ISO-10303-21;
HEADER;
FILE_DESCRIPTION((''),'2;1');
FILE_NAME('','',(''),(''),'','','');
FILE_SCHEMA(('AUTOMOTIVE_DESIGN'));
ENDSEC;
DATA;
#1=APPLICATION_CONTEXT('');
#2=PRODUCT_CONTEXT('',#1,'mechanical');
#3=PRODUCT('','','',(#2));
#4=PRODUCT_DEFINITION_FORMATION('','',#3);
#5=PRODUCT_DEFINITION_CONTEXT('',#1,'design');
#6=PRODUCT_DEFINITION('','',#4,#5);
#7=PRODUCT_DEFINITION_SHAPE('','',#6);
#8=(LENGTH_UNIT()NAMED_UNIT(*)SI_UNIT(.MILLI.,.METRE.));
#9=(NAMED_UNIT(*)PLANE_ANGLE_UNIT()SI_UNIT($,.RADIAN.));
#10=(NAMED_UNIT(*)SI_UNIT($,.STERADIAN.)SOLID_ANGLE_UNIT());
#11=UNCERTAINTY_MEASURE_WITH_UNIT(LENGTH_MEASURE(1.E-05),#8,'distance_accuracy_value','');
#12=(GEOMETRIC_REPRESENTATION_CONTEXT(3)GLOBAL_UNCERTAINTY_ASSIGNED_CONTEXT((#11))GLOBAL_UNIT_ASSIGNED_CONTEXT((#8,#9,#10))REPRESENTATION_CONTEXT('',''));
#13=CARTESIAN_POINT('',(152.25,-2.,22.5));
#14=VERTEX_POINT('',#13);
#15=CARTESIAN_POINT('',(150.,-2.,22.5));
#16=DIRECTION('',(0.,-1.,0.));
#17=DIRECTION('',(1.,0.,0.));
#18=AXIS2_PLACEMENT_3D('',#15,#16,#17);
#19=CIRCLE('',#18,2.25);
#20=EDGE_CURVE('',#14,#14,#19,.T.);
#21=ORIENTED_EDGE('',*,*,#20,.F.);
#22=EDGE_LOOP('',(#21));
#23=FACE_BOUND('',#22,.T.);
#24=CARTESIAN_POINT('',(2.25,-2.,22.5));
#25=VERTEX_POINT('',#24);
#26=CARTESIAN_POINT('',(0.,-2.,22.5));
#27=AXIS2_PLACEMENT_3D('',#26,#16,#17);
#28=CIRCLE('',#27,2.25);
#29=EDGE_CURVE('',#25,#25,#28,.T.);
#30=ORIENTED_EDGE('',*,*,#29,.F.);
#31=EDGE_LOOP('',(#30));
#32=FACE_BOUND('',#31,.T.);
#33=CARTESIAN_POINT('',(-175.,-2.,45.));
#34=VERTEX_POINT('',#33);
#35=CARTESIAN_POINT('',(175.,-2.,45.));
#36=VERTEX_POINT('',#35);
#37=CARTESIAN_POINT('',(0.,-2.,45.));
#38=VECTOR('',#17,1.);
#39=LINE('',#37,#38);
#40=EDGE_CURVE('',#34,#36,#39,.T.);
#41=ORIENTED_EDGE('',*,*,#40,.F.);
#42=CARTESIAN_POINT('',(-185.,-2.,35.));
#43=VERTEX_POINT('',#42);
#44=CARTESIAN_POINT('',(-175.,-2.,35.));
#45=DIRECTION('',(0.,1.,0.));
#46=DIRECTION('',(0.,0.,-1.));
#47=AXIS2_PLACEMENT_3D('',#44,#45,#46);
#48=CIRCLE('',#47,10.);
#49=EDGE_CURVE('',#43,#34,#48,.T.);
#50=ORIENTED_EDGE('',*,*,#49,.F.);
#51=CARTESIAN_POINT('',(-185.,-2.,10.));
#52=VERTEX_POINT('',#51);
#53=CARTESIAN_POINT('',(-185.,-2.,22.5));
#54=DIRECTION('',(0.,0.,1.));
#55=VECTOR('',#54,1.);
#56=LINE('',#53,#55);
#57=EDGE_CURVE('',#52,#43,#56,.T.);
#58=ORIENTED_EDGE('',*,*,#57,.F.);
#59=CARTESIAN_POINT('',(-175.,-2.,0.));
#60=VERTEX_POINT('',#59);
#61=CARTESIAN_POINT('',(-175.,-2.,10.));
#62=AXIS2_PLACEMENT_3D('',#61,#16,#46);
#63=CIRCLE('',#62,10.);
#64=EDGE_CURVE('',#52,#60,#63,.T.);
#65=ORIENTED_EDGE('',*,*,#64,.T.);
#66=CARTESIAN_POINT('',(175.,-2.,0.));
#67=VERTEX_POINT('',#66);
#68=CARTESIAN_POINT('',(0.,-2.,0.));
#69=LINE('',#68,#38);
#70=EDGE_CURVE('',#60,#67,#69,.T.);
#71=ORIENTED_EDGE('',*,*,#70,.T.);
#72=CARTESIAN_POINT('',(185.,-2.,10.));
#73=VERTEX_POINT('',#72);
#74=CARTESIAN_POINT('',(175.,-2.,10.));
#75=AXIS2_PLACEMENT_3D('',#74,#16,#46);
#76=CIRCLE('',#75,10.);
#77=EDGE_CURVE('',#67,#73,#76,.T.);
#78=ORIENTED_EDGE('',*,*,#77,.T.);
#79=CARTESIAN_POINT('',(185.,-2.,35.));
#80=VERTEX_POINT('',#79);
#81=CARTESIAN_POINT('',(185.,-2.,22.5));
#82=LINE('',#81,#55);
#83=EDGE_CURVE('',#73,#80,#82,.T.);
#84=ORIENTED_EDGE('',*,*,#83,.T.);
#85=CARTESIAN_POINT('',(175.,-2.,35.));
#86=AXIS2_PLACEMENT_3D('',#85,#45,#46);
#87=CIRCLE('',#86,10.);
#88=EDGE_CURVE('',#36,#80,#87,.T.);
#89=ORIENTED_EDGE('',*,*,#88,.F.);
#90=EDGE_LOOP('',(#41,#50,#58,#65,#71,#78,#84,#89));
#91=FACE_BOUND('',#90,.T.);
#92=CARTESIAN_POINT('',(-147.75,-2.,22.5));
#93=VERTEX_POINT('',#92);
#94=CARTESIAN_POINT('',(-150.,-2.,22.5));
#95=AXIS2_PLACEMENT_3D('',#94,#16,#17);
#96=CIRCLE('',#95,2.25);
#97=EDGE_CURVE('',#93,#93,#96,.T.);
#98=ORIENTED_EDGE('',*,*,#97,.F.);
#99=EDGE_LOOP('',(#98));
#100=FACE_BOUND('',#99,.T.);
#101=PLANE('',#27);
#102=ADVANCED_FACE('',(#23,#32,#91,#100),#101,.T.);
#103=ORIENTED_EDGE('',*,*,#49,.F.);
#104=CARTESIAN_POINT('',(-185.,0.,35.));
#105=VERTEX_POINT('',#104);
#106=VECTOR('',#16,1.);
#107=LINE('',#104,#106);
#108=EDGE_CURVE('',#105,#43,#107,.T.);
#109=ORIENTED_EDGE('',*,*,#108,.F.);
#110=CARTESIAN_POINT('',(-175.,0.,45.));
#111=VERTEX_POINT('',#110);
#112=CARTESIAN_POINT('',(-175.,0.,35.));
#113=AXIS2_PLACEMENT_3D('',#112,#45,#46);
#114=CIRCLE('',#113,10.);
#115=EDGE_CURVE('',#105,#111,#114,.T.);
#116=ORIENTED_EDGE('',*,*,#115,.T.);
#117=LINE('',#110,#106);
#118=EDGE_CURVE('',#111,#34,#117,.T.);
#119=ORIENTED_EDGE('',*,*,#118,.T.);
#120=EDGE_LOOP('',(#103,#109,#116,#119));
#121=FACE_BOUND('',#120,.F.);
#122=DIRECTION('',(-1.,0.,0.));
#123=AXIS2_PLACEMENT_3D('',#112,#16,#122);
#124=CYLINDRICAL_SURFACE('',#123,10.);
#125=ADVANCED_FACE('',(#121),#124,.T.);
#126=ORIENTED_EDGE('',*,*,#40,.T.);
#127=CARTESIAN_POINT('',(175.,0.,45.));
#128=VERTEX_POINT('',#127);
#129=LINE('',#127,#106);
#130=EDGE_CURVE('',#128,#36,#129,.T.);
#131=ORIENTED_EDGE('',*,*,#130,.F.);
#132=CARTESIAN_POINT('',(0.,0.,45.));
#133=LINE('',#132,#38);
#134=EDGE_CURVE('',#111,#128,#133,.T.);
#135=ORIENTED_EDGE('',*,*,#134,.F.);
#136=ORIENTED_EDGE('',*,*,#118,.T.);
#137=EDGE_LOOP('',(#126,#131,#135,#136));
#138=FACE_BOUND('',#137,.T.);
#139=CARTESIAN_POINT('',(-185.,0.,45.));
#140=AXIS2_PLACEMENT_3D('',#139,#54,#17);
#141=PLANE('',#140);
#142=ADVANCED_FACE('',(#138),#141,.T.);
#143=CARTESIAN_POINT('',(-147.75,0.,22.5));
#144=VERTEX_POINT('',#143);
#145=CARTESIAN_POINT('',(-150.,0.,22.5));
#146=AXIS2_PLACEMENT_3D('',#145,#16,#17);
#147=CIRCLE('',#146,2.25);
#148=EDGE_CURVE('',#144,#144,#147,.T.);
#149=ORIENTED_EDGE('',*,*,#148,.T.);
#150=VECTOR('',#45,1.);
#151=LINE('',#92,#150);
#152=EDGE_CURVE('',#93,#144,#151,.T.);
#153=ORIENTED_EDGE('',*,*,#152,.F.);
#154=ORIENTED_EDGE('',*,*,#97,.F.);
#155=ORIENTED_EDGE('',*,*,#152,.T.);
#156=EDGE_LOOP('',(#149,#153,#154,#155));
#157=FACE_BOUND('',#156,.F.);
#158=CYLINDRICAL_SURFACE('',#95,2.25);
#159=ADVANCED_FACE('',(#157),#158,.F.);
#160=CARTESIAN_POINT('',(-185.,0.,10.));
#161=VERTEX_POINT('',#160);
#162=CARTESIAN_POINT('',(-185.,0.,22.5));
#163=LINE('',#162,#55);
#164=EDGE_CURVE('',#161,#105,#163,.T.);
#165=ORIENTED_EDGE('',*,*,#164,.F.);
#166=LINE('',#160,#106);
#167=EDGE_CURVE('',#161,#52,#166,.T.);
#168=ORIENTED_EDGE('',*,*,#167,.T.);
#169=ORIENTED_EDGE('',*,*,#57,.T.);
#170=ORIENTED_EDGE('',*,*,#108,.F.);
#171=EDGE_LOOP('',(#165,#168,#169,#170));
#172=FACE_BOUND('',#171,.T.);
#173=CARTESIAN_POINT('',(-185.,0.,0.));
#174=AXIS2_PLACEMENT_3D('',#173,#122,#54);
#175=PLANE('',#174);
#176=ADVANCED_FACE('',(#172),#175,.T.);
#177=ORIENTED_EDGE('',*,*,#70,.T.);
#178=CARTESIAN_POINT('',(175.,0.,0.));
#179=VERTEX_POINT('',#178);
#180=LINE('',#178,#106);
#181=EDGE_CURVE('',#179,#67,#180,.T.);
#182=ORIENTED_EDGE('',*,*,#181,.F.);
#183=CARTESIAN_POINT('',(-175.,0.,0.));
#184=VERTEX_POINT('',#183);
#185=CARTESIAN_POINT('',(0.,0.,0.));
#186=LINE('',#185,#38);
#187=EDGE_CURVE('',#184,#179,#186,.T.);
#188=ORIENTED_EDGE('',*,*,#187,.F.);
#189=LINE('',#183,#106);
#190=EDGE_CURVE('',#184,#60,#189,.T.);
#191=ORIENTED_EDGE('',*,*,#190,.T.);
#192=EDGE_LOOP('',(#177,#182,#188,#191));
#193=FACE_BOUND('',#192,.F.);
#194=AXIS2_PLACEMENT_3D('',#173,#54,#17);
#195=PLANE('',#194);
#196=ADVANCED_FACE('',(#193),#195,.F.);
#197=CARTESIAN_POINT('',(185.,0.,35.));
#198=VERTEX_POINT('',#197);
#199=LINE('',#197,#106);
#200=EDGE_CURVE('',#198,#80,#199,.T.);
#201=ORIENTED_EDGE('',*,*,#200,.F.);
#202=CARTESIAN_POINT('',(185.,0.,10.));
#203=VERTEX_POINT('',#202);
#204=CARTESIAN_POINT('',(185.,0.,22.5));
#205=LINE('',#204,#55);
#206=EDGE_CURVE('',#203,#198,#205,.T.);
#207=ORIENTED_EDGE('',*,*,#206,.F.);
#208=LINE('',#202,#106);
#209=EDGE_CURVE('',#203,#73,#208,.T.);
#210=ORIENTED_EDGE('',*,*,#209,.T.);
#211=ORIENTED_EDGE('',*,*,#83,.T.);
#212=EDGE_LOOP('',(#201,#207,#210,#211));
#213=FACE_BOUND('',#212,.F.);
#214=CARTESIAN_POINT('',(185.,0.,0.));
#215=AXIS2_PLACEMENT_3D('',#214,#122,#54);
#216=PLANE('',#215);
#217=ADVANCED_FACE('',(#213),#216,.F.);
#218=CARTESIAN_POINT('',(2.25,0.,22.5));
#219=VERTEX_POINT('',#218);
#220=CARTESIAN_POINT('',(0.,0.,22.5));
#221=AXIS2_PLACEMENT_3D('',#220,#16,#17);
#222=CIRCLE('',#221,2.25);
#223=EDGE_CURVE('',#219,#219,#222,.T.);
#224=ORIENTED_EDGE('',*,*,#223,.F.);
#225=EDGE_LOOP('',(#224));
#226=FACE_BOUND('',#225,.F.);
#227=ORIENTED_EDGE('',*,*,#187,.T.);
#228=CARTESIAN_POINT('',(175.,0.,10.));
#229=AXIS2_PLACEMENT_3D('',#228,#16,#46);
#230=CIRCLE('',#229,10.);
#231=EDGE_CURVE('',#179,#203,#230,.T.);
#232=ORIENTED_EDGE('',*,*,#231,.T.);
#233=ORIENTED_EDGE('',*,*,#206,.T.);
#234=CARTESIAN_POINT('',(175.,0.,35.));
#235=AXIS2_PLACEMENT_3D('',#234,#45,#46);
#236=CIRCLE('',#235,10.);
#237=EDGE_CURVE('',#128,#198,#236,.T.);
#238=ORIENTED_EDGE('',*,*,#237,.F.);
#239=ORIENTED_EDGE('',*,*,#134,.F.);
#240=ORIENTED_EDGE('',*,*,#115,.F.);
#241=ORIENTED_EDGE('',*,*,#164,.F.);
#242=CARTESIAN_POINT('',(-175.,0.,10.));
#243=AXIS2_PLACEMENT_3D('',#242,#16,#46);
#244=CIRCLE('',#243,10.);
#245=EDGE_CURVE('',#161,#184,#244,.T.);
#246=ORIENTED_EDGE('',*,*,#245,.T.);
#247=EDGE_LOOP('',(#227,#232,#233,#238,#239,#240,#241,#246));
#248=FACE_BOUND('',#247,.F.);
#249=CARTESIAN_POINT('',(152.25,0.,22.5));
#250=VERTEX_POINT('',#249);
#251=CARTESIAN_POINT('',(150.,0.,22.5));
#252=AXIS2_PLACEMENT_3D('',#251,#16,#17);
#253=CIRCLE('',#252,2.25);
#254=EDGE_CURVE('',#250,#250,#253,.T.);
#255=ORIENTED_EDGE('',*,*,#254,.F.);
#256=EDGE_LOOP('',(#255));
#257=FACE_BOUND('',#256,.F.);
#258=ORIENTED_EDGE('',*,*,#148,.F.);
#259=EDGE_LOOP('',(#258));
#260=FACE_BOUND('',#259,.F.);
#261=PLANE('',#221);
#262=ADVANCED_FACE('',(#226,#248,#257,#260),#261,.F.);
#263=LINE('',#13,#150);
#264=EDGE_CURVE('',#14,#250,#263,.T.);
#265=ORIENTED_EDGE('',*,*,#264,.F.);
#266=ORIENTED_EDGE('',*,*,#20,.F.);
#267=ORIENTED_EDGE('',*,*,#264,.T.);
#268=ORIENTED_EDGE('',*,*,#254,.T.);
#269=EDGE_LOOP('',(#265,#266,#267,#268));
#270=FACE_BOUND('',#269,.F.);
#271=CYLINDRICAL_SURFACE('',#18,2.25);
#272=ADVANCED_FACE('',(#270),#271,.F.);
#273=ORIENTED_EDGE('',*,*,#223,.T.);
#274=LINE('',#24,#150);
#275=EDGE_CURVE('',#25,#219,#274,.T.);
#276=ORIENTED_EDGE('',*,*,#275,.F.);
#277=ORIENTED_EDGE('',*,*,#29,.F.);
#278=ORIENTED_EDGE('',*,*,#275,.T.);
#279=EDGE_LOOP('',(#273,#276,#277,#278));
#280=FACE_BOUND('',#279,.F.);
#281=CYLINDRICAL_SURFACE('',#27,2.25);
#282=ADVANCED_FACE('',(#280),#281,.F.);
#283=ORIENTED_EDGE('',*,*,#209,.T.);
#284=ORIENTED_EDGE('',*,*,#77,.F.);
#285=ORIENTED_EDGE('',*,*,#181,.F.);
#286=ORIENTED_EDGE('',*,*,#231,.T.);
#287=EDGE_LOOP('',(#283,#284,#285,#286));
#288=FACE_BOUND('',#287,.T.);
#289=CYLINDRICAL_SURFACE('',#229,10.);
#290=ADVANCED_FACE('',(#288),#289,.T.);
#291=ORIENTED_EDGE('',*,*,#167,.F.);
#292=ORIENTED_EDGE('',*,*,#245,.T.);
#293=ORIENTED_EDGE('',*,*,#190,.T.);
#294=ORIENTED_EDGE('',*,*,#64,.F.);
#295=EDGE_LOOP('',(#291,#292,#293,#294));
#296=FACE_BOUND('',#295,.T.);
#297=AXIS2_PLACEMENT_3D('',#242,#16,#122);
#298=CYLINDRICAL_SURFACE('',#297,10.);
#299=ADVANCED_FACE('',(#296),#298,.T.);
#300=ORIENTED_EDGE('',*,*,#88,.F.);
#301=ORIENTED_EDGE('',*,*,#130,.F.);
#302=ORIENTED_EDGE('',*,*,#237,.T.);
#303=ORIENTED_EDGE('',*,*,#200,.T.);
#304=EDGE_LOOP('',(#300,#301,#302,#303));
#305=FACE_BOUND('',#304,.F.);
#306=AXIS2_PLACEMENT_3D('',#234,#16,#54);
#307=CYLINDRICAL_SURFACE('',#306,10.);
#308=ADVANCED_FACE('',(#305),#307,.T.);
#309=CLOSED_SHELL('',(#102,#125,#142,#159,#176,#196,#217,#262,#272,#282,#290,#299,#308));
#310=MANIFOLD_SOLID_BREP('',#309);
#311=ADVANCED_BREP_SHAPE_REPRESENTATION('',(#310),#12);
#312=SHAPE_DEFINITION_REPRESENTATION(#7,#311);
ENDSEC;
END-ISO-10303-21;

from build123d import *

# Parameters (mm, degrees)
F0_W     = 370
F0_H     = 45
F1_DEPTH = 2
F2_R     = 2.25
F3_DEPTH = 25
F4_R     = 10


with BuildPart() as f1:
    # F0 (on Front) → F1 (new body)
    with BuildSketch(Plane.XZ):
        with Locations((0, 22.5)):
            Rectangle(F0_W, F0_H)
    extrude(amount=F1_DEPTH)

    # F2 (on face) → F3 (cut)
    with BuildSketch(Plane.XZ.offset(2)):
        with Locations((0, 22.5)):
            Circle(F2_R)
        with Locations((-150, 22.5)):
            Circle(F2_R)
        with Locations((150, 22.5)):
            Circle(F2_R)
    extrude(amount=-F3_DEPTH, mode=Mode.SUBTRACT)

    # F4
    f4_edges = [f1.edges().sort_by_distance(p)[0] for p in [
        (185, -1, 45),
        (185, -1, 0),
        (-185, -1, 45),
        (-185, -1, 0),
    ]]
    fillet(f4_edges, radius=F4_R)


solid = f1.part
